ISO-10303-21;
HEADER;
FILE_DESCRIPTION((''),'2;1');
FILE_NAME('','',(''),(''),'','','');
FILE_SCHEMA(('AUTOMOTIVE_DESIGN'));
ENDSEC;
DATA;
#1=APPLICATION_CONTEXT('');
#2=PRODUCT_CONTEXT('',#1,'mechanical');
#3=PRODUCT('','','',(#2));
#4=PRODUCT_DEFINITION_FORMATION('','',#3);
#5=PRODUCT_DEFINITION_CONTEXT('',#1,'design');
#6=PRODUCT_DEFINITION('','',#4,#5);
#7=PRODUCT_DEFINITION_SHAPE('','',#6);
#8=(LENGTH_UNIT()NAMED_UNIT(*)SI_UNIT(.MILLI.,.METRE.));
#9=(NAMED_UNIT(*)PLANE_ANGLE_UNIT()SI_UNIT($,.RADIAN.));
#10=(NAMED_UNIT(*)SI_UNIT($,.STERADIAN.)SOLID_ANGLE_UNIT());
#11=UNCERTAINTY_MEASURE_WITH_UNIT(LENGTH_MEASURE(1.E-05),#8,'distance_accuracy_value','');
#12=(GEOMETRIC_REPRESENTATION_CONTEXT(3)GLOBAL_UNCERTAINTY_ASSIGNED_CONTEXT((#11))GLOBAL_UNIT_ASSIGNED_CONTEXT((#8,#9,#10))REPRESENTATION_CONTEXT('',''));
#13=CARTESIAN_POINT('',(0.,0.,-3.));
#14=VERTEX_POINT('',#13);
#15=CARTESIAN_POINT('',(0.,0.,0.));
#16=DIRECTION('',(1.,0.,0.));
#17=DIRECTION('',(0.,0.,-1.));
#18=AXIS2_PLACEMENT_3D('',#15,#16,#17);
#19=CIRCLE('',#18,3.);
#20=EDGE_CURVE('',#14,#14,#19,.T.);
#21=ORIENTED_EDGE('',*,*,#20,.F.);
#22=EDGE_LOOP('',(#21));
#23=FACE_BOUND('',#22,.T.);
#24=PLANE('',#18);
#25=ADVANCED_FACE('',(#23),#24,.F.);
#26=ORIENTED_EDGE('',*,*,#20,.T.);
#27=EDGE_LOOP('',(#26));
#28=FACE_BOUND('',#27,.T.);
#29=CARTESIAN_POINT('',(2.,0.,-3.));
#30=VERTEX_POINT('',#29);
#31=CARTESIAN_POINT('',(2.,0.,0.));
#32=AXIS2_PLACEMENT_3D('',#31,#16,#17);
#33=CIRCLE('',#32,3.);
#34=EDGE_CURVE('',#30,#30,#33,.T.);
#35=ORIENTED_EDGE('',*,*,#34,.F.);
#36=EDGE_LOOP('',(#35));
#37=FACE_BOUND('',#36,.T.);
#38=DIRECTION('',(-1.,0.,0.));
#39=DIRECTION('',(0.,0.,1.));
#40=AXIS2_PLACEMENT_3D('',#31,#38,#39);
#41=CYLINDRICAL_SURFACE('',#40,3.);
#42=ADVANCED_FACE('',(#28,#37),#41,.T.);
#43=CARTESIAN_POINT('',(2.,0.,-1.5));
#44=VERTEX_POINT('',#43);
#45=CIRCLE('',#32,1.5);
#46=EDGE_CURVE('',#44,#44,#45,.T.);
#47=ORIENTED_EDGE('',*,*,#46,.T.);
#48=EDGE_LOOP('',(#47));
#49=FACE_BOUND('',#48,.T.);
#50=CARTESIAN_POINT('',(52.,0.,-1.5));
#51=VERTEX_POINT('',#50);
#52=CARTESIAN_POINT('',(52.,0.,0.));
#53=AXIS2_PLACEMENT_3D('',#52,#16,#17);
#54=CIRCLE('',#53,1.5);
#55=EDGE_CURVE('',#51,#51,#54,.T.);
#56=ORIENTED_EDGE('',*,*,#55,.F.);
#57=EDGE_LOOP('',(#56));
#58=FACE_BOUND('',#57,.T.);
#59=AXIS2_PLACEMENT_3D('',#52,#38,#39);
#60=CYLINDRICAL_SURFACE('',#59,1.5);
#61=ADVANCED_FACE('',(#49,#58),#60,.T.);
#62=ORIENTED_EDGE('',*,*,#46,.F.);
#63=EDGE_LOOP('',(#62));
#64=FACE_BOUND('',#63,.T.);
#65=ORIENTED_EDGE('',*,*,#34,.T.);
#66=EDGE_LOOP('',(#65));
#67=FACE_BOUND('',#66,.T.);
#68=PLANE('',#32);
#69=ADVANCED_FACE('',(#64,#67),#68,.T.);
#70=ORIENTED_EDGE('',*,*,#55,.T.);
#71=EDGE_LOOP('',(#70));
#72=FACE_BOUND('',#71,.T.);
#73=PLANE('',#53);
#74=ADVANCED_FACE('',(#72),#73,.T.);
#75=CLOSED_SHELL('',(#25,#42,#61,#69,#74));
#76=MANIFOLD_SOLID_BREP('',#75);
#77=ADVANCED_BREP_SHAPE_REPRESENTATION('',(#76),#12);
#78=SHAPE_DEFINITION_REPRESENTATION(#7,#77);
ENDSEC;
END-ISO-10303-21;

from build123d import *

# Parameters (mm, degrees)
SKETCH1_R           = 3
BOSS_EXTRUDE1_DEPTH = 2
SKETCH2_R           = 1.5
BOSS_EXTRUDE2_DEPTH = 50


with BuildPart() as part:
    # Sketch1 → Boss-Extrude1 (new body)
    with BuildSketch(Plane(origin=(0, 0, 0), x_dir=(0, 0, -1), z_dir=(1, 0, 0))):
        Circle(SKETCH1_R)
    extrude(amount=BOSS_EXTRUDE1_DEPTH)

    # Sketch2 → Boss-Extrude2 (add)
    with BuildSketch(Plane(origin=(2, 0, 0), x_dir=(0, 0, -1), z_dir=(1, 0, 0))):
        Circle(SKETCH2_R)
    extrude(amount=BOSS_EXTRUDE2_DEPTH)


solid = part.part
